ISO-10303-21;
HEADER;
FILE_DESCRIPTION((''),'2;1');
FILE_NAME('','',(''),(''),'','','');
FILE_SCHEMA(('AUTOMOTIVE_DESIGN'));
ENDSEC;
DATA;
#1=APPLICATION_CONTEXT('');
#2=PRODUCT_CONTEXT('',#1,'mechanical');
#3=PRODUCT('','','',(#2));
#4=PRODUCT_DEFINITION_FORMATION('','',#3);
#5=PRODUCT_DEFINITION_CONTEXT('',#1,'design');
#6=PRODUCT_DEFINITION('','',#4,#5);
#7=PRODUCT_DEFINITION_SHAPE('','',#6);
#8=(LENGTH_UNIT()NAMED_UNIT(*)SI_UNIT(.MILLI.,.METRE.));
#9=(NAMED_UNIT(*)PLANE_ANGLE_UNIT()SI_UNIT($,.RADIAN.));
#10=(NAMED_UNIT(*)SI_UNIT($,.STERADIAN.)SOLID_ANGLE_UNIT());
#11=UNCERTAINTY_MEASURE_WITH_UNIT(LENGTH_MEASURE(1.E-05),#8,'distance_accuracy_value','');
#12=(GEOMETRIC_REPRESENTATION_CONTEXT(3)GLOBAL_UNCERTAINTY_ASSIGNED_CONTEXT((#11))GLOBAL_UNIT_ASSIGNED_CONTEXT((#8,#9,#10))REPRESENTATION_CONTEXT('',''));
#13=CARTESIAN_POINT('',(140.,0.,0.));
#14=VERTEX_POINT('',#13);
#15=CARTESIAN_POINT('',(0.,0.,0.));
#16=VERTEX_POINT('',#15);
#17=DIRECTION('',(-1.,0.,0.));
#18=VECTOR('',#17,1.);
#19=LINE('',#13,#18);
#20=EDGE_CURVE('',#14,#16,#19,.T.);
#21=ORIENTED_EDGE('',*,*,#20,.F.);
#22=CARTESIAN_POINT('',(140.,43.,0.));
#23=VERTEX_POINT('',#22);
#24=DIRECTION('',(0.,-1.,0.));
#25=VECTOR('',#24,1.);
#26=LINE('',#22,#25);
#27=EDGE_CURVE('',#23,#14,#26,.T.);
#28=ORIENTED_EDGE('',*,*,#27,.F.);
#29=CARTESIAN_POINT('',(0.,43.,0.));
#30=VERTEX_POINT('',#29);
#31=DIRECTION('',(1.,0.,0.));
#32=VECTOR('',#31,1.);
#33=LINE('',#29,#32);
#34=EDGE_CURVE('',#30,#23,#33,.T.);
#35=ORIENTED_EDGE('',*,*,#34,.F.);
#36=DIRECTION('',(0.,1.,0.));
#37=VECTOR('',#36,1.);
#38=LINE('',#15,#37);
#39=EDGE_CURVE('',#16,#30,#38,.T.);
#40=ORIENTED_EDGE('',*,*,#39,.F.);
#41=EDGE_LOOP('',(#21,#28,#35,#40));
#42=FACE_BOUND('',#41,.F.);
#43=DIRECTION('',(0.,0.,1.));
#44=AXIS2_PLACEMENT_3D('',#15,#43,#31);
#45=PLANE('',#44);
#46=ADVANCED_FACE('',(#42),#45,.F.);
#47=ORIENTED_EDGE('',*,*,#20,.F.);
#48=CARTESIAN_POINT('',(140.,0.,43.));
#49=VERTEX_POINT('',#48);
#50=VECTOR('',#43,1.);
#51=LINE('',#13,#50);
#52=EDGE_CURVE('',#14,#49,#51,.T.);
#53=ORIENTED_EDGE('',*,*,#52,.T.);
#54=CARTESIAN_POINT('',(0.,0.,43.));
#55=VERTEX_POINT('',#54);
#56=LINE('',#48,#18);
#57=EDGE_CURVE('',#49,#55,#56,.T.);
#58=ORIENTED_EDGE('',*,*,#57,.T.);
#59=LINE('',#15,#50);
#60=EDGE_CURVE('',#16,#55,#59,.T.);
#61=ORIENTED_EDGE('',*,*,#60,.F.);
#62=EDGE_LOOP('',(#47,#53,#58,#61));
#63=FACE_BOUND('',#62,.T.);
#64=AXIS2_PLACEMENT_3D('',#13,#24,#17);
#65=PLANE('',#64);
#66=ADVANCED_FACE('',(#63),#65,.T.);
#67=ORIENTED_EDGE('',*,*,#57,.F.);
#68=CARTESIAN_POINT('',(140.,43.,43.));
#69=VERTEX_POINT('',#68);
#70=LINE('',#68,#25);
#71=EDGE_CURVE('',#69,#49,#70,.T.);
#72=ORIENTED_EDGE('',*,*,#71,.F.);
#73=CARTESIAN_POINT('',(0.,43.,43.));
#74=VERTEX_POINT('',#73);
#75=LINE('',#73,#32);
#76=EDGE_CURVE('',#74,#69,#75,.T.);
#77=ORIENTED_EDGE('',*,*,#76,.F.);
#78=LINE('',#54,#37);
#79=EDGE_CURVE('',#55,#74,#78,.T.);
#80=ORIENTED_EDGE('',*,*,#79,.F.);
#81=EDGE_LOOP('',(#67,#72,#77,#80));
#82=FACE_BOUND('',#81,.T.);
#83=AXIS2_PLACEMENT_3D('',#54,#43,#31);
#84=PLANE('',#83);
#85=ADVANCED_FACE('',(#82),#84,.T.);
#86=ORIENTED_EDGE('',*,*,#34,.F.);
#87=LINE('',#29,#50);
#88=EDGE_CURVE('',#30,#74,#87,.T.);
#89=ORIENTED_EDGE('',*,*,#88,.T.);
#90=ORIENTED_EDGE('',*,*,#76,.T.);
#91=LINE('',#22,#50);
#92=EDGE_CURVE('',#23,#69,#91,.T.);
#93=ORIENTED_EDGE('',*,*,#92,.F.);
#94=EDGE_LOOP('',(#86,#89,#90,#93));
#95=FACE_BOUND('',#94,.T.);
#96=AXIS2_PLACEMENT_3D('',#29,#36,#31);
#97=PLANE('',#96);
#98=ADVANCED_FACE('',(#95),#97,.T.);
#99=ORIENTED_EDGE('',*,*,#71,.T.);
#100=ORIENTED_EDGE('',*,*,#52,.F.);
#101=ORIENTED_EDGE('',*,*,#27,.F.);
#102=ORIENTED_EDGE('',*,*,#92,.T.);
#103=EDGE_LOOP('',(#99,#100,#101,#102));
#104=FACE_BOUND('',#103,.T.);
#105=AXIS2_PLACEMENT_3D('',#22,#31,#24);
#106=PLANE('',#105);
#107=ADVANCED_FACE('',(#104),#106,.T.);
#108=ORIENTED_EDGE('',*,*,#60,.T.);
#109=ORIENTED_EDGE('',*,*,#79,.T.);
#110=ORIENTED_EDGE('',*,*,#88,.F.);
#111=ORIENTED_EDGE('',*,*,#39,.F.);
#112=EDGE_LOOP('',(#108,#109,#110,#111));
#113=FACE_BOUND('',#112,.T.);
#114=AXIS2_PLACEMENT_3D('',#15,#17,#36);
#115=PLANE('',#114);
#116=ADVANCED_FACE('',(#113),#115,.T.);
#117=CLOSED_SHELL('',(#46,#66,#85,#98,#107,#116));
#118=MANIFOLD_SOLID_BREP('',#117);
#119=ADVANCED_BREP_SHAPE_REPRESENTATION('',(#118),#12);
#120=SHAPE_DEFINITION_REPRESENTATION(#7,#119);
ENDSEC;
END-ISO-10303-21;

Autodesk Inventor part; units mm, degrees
ref_plane "YZ Plane" through (0, 0, 0) normal (1, 0, 0) x (0, 1, 0)
ref_plane "XZ Plane" through (0, 0, 0) normal (0, 1, 0) x (-1, 0, 0)
ref_plane "XY Plane" through (0, 0, 0) normal (0, 0, 1) x (1, 0, 0)
sketch "Sketch1" plane through (0, 0, 0) normal (0, 0, 1) x (1, 0, 0)
  line L0 (0, 43) -> (140, 43)
  line L1 (140, 43) -> (140, 0)
  line L2 (140, 0) -> (0, 0)
  line L3 (0, 0) -> (0, 43)
  dimension "d0" = 140
  dimension "d1" = 43
extrude "Extrusion1" add sketch "Sketch1" along normal blind 43
sketch "Sketch2" plane through (0, 0, 43) normal (0, 0, 1) x (1, 0, 0)
  line L0 (18.8991, 36.6866) -> (124.2897, 36.6866) construction
  line L1 (124.2897, 36.6866) -> (124.2897, 8.6714) construction
  line L2 (124.2897, 8.6714) -> (18.8991, 8.6714) construction
  line L3 (18.8991, 8.6714) -> (18.8991, 36.6866) construction
  point P0 (0, 0)
properties part number "BATERIA"
